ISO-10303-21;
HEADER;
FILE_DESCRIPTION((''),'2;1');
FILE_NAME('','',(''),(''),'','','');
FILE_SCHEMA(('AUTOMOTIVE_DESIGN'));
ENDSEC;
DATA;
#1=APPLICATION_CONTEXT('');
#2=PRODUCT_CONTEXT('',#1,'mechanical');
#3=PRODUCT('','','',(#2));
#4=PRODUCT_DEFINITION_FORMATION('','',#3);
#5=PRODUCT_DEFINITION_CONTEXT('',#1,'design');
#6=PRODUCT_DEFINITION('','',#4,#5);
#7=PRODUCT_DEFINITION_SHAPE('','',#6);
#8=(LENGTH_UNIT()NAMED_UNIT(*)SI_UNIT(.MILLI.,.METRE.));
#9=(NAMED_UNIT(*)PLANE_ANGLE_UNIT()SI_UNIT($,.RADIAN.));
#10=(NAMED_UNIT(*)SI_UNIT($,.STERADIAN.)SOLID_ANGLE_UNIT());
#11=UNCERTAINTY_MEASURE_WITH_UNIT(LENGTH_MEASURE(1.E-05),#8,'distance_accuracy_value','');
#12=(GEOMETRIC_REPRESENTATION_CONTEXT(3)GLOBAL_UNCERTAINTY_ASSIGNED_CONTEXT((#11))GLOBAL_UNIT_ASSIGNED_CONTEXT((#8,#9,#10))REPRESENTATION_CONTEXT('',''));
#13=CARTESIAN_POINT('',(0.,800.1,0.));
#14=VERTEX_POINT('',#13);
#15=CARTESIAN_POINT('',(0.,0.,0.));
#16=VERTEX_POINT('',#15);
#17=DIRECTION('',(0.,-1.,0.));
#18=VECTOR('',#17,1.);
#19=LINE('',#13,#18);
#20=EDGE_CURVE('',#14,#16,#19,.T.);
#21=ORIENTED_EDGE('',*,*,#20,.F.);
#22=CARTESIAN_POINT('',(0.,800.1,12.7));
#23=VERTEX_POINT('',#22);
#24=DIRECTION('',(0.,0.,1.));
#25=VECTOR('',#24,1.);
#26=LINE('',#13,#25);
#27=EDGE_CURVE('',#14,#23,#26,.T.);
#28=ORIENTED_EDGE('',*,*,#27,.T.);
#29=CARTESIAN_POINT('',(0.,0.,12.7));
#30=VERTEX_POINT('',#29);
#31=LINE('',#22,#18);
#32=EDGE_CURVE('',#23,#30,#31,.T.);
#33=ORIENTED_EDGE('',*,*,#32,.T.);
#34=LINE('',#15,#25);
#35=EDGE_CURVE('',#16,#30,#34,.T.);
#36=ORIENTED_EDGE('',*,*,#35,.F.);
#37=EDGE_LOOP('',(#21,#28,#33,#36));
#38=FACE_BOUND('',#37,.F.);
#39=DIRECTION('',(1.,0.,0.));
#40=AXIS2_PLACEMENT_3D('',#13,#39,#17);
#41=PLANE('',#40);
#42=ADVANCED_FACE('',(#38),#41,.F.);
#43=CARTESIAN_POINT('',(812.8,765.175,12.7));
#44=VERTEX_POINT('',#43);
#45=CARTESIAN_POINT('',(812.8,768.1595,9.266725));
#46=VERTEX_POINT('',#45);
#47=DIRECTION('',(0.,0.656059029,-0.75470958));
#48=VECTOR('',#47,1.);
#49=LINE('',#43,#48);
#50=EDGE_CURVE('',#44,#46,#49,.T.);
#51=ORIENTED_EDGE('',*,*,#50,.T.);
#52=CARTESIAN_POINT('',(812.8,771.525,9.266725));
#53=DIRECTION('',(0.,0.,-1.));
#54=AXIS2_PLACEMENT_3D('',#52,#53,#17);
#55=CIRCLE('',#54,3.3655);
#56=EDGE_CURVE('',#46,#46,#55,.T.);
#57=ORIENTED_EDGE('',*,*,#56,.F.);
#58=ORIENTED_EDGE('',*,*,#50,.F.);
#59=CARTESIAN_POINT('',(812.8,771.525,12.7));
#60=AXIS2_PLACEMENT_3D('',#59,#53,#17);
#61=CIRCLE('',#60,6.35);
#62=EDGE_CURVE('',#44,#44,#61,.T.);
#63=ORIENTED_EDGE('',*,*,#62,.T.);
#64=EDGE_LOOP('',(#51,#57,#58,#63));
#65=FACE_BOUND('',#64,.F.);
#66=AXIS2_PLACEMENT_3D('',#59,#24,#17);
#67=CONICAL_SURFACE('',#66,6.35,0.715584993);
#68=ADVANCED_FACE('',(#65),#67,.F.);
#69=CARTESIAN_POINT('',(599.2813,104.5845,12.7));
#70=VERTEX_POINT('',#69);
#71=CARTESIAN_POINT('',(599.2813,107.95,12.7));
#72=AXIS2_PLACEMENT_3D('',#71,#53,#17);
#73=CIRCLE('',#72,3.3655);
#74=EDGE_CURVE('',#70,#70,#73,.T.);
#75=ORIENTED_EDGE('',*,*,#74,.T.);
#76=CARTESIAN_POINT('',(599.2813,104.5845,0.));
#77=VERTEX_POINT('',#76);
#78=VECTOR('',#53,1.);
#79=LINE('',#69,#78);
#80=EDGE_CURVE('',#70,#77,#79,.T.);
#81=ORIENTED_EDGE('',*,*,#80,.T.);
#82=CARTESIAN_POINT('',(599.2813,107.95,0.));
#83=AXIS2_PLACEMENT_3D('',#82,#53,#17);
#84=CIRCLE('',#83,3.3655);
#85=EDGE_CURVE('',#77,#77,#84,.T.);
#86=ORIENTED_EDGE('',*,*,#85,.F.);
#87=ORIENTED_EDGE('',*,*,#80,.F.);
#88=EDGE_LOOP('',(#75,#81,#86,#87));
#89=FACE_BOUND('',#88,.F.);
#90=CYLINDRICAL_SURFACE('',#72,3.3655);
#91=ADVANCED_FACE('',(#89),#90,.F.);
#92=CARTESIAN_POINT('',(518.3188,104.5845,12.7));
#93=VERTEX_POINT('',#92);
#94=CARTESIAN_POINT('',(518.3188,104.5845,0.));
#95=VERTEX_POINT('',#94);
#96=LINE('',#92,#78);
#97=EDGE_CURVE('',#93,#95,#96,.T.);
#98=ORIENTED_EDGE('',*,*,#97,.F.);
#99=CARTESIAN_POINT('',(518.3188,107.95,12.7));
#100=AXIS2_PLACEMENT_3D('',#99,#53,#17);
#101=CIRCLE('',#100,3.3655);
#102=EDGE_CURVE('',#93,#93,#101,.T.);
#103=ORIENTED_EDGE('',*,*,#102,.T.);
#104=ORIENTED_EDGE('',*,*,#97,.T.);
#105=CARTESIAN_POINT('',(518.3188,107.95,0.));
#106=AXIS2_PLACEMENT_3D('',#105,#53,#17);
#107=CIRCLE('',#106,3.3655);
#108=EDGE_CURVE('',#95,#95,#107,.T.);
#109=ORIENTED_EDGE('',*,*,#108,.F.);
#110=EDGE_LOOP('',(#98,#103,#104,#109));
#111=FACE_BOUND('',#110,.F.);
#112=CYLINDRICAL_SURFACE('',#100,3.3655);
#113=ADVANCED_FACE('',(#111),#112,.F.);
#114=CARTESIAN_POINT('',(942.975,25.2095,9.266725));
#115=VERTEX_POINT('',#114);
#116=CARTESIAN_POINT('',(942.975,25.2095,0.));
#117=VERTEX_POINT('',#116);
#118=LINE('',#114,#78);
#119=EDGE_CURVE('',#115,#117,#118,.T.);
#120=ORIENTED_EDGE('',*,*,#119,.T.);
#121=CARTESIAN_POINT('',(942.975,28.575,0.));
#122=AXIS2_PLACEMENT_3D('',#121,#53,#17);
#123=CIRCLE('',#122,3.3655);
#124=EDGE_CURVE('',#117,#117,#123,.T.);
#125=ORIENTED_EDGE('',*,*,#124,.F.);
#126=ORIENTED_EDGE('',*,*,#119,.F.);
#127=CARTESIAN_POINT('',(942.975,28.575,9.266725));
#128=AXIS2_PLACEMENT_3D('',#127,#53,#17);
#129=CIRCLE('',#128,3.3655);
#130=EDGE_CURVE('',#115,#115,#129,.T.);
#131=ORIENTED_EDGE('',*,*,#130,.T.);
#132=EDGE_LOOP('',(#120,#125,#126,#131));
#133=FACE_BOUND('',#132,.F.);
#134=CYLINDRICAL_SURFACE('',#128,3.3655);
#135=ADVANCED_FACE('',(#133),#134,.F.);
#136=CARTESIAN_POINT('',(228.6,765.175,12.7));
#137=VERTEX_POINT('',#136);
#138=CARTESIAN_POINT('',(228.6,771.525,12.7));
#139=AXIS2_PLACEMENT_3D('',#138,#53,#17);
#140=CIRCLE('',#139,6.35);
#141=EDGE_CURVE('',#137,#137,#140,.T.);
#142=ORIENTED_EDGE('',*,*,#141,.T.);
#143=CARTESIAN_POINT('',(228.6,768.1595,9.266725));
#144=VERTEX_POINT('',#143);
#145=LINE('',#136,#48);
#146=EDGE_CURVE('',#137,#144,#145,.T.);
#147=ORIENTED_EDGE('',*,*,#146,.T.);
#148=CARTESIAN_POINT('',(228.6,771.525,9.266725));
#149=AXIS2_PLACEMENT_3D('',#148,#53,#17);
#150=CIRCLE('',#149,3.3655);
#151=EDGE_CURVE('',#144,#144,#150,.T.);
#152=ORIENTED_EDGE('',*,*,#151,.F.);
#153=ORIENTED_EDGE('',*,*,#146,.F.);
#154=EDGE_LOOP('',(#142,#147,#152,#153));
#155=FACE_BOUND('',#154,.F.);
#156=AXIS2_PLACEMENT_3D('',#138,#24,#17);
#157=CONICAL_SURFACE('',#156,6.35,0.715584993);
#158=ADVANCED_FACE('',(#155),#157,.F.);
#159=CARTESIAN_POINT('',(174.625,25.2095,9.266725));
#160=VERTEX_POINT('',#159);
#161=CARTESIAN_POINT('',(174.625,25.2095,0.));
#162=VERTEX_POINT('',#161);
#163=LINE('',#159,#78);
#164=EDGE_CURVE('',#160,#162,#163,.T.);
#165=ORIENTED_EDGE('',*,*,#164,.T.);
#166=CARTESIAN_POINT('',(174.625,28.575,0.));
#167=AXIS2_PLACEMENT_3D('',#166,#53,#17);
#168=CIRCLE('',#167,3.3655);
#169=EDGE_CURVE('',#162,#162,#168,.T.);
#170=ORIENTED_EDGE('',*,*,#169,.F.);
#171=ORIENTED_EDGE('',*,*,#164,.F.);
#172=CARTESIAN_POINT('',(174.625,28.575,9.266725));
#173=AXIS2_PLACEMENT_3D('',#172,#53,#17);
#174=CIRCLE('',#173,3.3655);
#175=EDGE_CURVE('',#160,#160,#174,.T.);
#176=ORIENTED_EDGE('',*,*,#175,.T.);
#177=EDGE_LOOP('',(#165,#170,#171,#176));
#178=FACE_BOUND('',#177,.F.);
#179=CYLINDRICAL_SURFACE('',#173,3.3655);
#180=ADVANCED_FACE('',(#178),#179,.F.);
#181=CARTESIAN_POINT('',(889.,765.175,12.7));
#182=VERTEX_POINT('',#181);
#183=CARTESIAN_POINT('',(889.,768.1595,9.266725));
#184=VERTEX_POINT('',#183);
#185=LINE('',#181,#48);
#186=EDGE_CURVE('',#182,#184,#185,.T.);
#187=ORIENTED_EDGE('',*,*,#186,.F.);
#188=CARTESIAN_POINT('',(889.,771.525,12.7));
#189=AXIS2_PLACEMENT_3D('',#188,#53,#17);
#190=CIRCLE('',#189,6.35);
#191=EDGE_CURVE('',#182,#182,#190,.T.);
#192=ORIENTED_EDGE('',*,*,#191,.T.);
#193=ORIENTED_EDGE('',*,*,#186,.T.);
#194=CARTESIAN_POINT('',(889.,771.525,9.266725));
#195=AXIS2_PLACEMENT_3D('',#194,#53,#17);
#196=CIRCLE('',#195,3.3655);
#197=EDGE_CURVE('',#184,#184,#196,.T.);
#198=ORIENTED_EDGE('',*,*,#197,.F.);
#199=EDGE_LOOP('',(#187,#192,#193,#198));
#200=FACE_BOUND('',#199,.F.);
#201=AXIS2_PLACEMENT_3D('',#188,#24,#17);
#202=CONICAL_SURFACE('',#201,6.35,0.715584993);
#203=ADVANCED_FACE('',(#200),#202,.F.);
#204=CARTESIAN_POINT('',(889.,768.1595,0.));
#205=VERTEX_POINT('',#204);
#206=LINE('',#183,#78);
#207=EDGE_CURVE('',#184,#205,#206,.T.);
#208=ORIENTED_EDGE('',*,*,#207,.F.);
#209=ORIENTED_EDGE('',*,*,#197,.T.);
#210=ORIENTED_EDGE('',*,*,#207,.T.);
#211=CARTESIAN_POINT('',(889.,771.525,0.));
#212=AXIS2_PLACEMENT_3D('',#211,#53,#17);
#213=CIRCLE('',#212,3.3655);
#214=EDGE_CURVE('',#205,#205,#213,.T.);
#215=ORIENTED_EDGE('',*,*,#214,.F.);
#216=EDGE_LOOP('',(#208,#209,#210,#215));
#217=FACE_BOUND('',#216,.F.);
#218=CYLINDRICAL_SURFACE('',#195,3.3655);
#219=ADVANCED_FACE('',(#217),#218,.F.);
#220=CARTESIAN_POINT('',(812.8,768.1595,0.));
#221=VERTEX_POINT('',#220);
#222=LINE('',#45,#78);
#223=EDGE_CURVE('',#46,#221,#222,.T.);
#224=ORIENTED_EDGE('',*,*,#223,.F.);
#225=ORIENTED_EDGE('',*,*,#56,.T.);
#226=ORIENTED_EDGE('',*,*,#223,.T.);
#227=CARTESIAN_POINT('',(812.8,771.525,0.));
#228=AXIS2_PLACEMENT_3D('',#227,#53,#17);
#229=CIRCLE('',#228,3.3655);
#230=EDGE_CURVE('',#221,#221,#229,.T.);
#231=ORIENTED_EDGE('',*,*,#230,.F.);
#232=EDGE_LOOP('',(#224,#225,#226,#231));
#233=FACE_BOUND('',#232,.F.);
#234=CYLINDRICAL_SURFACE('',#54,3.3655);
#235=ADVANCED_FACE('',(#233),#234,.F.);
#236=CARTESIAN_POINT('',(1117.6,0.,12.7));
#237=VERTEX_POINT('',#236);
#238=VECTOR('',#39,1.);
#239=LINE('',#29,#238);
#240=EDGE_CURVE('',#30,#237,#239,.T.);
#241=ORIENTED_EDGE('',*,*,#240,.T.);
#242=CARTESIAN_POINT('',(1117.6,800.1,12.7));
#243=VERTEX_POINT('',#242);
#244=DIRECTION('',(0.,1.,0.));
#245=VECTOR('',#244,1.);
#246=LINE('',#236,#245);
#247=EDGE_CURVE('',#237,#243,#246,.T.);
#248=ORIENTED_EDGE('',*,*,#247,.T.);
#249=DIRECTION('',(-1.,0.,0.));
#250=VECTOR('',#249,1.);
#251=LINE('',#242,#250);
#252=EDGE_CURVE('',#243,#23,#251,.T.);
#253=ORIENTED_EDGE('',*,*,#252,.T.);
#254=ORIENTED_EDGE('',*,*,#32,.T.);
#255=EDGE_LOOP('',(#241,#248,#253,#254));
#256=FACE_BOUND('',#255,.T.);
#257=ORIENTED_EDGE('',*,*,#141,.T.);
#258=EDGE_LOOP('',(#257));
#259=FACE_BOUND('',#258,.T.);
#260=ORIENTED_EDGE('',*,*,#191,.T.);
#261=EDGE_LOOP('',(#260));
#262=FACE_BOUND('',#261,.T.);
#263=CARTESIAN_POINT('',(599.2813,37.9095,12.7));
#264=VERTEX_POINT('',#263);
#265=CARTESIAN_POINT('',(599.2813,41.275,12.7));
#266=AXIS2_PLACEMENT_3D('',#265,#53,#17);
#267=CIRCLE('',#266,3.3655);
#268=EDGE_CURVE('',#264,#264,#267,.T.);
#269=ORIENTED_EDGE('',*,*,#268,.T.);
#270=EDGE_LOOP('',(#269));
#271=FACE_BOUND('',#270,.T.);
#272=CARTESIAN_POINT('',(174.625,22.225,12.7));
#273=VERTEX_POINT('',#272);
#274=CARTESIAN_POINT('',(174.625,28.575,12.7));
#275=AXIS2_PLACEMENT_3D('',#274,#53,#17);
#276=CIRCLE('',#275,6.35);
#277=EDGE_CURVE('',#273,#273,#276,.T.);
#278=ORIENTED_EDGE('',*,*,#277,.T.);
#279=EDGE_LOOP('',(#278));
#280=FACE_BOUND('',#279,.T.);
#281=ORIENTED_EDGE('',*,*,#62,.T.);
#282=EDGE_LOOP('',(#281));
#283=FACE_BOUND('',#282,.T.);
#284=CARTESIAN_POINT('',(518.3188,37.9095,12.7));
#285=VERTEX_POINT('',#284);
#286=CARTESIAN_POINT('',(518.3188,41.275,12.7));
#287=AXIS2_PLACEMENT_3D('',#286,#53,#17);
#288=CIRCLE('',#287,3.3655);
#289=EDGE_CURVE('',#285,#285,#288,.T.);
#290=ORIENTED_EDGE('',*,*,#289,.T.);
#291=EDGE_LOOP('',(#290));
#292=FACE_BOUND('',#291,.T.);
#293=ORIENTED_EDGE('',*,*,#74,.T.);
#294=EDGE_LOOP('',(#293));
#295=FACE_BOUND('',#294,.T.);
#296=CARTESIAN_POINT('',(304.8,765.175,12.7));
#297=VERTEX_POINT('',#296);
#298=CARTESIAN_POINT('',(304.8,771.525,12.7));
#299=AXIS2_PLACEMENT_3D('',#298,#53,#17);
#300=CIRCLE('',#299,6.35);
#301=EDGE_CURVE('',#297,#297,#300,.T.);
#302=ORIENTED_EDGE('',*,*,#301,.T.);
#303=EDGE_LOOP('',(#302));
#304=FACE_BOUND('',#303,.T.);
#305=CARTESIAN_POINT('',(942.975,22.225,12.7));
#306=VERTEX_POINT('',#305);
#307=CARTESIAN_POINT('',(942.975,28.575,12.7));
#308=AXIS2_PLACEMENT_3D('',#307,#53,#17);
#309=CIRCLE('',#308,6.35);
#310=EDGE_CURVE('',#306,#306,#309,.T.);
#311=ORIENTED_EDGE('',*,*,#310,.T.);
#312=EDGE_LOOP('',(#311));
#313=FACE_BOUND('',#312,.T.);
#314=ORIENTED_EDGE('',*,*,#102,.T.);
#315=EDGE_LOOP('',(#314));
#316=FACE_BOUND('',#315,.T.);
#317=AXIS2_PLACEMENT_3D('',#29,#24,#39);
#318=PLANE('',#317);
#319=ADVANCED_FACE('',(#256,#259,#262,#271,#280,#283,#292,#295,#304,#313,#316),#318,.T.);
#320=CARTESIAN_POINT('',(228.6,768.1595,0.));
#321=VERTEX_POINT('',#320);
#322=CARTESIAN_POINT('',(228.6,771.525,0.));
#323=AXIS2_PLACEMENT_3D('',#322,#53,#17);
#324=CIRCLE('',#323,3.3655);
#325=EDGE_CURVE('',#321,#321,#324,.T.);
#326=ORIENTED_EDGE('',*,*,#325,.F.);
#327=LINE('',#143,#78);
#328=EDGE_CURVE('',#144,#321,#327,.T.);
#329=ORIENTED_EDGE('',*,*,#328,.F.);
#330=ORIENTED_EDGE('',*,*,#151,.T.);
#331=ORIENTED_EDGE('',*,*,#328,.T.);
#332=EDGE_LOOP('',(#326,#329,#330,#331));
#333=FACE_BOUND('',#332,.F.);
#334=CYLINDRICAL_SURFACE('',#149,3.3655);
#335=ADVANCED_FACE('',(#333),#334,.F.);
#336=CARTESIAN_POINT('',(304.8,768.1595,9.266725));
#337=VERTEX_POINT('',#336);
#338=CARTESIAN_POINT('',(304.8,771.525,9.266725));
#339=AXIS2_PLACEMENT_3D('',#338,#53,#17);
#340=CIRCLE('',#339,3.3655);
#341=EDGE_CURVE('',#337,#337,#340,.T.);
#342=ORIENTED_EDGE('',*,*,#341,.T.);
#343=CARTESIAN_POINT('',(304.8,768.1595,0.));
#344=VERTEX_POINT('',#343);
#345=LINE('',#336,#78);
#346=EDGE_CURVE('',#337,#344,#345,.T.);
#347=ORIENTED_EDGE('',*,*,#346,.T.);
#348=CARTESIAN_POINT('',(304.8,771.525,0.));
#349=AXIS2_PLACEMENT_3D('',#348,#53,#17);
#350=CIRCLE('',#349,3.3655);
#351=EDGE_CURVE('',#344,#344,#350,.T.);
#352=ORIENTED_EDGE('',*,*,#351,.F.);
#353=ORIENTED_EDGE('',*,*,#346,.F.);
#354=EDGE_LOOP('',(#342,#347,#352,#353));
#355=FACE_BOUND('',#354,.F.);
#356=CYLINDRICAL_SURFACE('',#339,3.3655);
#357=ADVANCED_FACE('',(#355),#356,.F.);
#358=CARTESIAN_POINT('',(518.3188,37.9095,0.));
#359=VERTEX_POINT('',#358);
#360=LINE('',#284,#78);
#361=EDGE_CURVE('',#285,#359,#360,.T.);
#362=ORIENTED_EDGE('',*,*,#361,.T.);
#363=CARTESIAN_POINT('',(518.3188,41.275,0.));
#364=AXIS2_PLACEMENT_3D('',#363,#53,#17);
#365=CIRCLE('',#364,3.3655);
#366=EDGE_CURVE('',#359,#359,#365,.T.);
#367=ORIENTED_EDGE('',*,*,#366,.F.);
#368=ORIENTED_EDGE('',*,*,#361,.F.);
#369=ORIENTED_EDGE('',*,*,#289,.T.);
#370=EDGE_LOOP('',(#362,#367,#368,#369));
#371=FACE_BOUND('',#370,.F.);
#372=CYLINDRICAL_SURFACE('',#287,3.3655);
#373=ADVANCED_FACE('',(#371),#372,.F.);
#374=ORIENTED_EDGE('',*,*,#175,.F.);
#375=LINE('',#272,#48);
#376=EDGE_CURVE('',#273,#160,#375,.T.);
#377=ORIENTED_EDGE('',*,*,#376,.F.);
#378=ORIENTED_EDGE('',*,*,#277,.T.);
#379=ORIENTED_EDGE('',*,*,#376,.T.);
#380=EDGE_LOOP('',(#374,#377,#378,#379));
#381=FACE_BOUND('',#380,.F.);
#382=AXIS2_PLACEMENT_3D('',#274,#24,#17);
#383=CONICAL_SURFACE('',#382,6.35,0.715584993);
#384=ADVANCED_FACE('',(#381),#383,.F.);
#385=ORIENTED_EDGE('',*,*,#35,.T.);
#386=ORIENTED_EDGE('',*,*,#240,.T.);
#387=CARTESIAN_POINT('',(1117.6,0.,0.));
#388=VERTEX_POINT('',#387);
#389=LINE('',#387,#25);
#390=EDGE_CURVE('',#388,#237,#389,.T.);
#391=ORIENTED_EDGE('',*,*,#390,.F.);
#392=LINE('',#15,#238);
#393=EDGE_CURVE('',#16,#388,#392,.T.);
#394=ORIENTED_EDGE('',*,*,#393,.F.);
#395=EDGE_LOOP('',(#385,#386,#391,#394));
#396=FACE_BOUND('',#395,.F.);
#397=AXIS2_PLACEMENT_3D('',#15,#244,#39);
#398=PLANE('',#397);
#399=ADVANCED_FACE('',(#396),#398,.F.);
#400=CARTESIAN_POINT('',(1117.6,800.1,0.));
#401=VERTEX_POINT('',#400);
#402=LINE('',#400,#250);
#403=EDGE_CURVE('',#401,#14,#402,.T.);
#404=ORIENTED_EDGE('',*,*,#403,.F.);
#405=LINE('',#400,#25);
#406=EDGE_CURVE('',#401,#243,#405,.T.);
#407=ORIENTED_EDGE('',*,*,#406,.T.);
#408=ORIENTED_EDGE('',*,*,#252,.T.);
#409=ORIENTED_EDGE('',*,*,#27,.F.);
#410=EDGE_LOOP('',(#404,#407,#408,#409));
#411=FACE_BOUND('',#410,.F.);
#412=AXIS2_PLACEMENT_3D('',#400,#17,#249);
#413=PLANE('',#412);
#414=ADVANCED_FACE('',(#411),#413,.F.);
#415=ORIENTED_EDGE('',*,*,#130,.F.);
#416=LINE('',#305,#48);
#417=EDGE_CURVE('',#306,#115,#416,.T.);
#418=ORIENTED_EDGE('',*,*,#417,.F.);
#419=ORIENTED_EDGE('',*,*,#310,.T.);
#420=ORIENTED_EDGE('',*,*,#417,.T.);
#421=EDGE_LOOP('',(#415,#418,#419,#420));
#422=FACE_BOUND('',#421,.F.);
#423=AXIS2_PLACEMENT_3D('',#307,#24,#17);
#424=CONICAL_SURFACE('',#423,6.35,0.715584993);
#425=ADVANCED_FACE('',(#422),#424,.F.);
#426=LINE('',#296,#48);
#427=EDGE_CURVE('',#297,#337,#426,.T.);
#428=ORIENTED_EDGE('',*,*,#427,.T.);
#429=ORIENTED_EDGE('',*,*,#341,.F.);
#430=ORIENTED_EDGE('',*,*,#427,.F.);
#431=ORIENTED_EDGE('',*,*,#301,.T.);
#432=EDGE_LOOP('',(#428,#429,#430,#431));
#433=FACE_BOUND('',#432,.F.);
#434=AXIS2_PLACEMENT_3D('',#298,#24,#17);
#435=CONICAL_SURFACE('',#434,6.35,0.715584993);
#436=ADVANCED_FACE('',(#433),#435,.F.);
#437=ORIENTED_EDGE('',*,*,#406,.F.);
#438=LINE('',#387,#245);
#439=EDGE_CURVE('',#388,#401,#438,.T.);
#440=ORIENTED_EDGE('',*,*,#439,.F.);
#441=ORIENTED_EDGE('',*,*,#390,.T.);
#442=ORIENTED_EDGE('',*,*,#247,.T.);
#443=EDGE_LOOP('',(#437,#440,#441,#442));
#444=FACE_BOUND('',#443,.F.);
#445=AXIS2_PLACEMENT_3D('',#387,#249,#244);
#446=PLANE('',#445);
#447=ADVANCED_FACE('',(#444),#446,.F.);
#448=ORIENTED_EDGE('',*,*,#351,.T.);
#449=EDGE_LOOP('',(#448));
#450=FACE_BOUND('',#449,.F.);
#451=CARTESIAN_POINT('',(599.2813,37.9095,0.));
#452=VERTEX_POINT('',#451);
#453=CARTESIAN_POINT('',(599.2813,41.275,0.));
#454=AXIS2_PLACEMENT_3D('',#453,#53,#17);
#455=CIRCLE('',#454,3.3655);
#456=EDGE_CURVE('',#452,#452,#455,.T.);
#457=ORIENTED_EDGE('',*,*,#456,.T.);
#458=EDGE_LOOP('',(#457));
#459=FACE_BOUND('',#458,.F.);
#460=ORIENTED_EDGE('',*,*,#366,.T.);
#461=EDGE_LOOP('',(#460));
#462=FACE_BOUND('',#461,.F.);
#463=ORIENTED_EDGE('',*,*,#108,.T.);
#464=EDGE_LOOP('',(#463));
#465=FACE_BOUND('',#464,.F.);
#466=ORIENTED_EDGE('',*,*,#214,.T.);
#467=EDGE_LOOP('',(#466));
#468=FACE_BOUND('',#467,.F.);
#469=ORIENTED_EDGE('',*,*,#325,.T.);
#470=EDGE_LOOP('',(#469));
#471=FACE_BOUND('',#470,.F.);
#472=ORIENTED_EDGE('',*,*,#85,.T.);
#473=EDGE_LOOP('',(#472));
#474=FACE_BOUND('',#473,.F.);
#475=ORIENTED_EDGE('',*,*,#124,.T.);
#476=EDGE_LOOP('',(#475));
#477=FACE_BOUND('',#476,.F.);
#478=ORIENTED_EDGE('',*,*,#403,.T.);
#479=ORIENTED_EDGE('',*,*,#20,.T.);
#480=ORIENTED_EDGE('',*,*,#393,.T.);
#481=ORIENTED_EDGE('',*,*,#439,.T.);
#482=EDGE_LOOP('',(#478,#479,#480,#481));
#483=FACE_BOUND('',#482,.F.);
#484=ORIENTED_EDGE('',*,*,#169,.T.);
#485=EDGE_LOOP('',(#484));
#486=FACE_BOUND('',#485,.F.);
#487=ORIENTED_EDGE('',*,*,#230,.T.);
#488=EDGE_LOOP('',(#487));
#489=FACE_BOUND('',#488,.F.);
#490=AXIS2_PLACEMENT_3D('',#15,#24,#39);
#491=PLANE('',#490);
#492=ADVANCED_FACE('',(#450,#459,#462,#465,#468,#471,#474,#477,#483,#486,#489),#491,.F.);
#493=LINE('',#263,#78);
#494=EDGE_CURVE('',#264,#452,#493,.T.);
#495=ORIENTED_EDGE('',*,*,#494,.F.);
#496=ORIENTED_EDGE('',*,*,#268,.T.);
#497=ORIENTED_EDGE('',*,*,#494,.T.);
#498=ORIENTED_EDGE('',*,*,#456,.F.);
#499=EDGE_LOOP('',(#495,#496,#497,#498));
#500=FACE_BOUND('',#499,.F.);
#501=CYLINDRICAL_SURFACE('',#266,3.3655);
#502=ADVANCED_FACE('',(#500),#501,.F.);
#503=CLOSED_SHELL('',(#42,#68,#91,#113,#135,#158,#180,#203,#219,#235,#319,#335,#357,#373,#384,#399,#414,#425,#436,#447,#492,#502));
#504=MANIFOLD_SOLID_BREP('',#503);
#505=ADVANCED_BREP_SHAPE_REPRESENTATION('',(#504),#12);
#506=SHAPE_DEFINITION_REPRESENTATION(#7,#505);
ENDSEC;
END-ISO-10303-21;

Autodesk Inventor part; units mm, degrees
ref_plane "YZ Plane" through (0, 0, 0) normal (1, 0, 0) x (0, 1, 0)
ref_plane "XZ Plane" through (0, 0, 0) normal (0, 1, 0) x (-1, 0, 0)
ref_plane "XY Plane" through (0, 0, 0) normal (0, 0, 1) x (1, 0, 0)
sketch "Sketch1" plane through (0, 0, 0) normal (0, 0, 1) x (1, 0, 0)
  line L0 (0, 0) -> (1117.6, 0)
  line L1 (1117.6, 0) -> (1117.6, 800.1)
  line L2 (1117.6, 800.1) -> (0, 800.1)
  line L3 (0, 800.1) -> (0, 0)
  dimension "d0" = 1117.6
  dimension "d1" = 800.1
extrude "Extrusion1" add sketch "Sketch1" along normal blind 12.7
hole "Hole1" at (518.3188, 41.275, 12.7) direction (0, 0, -1) diameter 6.731 end through all
pattern_linear "Rectangular Pattern1" count 2 spacing 66.675 along (0, 1, 0) count 2 spacing 80.9625 along (1, 0, 0) of "Hole1"
hole "Hole2" at (228.6, 771.525, 12.7) direction (0, 0, -1) diameter 6.731 depth 25.4 tip angle 118 countersink diameter 12.7 countersink angle 82
pattern_linear "Rectangular Pattern2" count 2 spacing 76.2 along (1, 0, 0) of "Hole2"
hole "Hole3" at (889, 771.525, 12.7) direction (0, 0, -1) diameter 6.731 depth 25.4 tip angle 118 countersink diameter 12.7 countersink angle 82
pattern_linear "Rectangular Pattern3" count 2 spacing 76.2 along (-1, 0, 0) of "Hole3"
hole "Hole4" at (174.625, 28.575, 12.7) direction (0, 0, -1) diameter 6.731 depth 25.4 tip angle 118 countersink diameter 12.7 countersink angle 82
hole "Hole5" at (942.975, 28.575, 12.7) direction (0, 0, -1) diameter 6.731 depth 25.4 tip angle 118 countersink diameter 12.7 countersink angle 82
properties part number "GE-12076"
